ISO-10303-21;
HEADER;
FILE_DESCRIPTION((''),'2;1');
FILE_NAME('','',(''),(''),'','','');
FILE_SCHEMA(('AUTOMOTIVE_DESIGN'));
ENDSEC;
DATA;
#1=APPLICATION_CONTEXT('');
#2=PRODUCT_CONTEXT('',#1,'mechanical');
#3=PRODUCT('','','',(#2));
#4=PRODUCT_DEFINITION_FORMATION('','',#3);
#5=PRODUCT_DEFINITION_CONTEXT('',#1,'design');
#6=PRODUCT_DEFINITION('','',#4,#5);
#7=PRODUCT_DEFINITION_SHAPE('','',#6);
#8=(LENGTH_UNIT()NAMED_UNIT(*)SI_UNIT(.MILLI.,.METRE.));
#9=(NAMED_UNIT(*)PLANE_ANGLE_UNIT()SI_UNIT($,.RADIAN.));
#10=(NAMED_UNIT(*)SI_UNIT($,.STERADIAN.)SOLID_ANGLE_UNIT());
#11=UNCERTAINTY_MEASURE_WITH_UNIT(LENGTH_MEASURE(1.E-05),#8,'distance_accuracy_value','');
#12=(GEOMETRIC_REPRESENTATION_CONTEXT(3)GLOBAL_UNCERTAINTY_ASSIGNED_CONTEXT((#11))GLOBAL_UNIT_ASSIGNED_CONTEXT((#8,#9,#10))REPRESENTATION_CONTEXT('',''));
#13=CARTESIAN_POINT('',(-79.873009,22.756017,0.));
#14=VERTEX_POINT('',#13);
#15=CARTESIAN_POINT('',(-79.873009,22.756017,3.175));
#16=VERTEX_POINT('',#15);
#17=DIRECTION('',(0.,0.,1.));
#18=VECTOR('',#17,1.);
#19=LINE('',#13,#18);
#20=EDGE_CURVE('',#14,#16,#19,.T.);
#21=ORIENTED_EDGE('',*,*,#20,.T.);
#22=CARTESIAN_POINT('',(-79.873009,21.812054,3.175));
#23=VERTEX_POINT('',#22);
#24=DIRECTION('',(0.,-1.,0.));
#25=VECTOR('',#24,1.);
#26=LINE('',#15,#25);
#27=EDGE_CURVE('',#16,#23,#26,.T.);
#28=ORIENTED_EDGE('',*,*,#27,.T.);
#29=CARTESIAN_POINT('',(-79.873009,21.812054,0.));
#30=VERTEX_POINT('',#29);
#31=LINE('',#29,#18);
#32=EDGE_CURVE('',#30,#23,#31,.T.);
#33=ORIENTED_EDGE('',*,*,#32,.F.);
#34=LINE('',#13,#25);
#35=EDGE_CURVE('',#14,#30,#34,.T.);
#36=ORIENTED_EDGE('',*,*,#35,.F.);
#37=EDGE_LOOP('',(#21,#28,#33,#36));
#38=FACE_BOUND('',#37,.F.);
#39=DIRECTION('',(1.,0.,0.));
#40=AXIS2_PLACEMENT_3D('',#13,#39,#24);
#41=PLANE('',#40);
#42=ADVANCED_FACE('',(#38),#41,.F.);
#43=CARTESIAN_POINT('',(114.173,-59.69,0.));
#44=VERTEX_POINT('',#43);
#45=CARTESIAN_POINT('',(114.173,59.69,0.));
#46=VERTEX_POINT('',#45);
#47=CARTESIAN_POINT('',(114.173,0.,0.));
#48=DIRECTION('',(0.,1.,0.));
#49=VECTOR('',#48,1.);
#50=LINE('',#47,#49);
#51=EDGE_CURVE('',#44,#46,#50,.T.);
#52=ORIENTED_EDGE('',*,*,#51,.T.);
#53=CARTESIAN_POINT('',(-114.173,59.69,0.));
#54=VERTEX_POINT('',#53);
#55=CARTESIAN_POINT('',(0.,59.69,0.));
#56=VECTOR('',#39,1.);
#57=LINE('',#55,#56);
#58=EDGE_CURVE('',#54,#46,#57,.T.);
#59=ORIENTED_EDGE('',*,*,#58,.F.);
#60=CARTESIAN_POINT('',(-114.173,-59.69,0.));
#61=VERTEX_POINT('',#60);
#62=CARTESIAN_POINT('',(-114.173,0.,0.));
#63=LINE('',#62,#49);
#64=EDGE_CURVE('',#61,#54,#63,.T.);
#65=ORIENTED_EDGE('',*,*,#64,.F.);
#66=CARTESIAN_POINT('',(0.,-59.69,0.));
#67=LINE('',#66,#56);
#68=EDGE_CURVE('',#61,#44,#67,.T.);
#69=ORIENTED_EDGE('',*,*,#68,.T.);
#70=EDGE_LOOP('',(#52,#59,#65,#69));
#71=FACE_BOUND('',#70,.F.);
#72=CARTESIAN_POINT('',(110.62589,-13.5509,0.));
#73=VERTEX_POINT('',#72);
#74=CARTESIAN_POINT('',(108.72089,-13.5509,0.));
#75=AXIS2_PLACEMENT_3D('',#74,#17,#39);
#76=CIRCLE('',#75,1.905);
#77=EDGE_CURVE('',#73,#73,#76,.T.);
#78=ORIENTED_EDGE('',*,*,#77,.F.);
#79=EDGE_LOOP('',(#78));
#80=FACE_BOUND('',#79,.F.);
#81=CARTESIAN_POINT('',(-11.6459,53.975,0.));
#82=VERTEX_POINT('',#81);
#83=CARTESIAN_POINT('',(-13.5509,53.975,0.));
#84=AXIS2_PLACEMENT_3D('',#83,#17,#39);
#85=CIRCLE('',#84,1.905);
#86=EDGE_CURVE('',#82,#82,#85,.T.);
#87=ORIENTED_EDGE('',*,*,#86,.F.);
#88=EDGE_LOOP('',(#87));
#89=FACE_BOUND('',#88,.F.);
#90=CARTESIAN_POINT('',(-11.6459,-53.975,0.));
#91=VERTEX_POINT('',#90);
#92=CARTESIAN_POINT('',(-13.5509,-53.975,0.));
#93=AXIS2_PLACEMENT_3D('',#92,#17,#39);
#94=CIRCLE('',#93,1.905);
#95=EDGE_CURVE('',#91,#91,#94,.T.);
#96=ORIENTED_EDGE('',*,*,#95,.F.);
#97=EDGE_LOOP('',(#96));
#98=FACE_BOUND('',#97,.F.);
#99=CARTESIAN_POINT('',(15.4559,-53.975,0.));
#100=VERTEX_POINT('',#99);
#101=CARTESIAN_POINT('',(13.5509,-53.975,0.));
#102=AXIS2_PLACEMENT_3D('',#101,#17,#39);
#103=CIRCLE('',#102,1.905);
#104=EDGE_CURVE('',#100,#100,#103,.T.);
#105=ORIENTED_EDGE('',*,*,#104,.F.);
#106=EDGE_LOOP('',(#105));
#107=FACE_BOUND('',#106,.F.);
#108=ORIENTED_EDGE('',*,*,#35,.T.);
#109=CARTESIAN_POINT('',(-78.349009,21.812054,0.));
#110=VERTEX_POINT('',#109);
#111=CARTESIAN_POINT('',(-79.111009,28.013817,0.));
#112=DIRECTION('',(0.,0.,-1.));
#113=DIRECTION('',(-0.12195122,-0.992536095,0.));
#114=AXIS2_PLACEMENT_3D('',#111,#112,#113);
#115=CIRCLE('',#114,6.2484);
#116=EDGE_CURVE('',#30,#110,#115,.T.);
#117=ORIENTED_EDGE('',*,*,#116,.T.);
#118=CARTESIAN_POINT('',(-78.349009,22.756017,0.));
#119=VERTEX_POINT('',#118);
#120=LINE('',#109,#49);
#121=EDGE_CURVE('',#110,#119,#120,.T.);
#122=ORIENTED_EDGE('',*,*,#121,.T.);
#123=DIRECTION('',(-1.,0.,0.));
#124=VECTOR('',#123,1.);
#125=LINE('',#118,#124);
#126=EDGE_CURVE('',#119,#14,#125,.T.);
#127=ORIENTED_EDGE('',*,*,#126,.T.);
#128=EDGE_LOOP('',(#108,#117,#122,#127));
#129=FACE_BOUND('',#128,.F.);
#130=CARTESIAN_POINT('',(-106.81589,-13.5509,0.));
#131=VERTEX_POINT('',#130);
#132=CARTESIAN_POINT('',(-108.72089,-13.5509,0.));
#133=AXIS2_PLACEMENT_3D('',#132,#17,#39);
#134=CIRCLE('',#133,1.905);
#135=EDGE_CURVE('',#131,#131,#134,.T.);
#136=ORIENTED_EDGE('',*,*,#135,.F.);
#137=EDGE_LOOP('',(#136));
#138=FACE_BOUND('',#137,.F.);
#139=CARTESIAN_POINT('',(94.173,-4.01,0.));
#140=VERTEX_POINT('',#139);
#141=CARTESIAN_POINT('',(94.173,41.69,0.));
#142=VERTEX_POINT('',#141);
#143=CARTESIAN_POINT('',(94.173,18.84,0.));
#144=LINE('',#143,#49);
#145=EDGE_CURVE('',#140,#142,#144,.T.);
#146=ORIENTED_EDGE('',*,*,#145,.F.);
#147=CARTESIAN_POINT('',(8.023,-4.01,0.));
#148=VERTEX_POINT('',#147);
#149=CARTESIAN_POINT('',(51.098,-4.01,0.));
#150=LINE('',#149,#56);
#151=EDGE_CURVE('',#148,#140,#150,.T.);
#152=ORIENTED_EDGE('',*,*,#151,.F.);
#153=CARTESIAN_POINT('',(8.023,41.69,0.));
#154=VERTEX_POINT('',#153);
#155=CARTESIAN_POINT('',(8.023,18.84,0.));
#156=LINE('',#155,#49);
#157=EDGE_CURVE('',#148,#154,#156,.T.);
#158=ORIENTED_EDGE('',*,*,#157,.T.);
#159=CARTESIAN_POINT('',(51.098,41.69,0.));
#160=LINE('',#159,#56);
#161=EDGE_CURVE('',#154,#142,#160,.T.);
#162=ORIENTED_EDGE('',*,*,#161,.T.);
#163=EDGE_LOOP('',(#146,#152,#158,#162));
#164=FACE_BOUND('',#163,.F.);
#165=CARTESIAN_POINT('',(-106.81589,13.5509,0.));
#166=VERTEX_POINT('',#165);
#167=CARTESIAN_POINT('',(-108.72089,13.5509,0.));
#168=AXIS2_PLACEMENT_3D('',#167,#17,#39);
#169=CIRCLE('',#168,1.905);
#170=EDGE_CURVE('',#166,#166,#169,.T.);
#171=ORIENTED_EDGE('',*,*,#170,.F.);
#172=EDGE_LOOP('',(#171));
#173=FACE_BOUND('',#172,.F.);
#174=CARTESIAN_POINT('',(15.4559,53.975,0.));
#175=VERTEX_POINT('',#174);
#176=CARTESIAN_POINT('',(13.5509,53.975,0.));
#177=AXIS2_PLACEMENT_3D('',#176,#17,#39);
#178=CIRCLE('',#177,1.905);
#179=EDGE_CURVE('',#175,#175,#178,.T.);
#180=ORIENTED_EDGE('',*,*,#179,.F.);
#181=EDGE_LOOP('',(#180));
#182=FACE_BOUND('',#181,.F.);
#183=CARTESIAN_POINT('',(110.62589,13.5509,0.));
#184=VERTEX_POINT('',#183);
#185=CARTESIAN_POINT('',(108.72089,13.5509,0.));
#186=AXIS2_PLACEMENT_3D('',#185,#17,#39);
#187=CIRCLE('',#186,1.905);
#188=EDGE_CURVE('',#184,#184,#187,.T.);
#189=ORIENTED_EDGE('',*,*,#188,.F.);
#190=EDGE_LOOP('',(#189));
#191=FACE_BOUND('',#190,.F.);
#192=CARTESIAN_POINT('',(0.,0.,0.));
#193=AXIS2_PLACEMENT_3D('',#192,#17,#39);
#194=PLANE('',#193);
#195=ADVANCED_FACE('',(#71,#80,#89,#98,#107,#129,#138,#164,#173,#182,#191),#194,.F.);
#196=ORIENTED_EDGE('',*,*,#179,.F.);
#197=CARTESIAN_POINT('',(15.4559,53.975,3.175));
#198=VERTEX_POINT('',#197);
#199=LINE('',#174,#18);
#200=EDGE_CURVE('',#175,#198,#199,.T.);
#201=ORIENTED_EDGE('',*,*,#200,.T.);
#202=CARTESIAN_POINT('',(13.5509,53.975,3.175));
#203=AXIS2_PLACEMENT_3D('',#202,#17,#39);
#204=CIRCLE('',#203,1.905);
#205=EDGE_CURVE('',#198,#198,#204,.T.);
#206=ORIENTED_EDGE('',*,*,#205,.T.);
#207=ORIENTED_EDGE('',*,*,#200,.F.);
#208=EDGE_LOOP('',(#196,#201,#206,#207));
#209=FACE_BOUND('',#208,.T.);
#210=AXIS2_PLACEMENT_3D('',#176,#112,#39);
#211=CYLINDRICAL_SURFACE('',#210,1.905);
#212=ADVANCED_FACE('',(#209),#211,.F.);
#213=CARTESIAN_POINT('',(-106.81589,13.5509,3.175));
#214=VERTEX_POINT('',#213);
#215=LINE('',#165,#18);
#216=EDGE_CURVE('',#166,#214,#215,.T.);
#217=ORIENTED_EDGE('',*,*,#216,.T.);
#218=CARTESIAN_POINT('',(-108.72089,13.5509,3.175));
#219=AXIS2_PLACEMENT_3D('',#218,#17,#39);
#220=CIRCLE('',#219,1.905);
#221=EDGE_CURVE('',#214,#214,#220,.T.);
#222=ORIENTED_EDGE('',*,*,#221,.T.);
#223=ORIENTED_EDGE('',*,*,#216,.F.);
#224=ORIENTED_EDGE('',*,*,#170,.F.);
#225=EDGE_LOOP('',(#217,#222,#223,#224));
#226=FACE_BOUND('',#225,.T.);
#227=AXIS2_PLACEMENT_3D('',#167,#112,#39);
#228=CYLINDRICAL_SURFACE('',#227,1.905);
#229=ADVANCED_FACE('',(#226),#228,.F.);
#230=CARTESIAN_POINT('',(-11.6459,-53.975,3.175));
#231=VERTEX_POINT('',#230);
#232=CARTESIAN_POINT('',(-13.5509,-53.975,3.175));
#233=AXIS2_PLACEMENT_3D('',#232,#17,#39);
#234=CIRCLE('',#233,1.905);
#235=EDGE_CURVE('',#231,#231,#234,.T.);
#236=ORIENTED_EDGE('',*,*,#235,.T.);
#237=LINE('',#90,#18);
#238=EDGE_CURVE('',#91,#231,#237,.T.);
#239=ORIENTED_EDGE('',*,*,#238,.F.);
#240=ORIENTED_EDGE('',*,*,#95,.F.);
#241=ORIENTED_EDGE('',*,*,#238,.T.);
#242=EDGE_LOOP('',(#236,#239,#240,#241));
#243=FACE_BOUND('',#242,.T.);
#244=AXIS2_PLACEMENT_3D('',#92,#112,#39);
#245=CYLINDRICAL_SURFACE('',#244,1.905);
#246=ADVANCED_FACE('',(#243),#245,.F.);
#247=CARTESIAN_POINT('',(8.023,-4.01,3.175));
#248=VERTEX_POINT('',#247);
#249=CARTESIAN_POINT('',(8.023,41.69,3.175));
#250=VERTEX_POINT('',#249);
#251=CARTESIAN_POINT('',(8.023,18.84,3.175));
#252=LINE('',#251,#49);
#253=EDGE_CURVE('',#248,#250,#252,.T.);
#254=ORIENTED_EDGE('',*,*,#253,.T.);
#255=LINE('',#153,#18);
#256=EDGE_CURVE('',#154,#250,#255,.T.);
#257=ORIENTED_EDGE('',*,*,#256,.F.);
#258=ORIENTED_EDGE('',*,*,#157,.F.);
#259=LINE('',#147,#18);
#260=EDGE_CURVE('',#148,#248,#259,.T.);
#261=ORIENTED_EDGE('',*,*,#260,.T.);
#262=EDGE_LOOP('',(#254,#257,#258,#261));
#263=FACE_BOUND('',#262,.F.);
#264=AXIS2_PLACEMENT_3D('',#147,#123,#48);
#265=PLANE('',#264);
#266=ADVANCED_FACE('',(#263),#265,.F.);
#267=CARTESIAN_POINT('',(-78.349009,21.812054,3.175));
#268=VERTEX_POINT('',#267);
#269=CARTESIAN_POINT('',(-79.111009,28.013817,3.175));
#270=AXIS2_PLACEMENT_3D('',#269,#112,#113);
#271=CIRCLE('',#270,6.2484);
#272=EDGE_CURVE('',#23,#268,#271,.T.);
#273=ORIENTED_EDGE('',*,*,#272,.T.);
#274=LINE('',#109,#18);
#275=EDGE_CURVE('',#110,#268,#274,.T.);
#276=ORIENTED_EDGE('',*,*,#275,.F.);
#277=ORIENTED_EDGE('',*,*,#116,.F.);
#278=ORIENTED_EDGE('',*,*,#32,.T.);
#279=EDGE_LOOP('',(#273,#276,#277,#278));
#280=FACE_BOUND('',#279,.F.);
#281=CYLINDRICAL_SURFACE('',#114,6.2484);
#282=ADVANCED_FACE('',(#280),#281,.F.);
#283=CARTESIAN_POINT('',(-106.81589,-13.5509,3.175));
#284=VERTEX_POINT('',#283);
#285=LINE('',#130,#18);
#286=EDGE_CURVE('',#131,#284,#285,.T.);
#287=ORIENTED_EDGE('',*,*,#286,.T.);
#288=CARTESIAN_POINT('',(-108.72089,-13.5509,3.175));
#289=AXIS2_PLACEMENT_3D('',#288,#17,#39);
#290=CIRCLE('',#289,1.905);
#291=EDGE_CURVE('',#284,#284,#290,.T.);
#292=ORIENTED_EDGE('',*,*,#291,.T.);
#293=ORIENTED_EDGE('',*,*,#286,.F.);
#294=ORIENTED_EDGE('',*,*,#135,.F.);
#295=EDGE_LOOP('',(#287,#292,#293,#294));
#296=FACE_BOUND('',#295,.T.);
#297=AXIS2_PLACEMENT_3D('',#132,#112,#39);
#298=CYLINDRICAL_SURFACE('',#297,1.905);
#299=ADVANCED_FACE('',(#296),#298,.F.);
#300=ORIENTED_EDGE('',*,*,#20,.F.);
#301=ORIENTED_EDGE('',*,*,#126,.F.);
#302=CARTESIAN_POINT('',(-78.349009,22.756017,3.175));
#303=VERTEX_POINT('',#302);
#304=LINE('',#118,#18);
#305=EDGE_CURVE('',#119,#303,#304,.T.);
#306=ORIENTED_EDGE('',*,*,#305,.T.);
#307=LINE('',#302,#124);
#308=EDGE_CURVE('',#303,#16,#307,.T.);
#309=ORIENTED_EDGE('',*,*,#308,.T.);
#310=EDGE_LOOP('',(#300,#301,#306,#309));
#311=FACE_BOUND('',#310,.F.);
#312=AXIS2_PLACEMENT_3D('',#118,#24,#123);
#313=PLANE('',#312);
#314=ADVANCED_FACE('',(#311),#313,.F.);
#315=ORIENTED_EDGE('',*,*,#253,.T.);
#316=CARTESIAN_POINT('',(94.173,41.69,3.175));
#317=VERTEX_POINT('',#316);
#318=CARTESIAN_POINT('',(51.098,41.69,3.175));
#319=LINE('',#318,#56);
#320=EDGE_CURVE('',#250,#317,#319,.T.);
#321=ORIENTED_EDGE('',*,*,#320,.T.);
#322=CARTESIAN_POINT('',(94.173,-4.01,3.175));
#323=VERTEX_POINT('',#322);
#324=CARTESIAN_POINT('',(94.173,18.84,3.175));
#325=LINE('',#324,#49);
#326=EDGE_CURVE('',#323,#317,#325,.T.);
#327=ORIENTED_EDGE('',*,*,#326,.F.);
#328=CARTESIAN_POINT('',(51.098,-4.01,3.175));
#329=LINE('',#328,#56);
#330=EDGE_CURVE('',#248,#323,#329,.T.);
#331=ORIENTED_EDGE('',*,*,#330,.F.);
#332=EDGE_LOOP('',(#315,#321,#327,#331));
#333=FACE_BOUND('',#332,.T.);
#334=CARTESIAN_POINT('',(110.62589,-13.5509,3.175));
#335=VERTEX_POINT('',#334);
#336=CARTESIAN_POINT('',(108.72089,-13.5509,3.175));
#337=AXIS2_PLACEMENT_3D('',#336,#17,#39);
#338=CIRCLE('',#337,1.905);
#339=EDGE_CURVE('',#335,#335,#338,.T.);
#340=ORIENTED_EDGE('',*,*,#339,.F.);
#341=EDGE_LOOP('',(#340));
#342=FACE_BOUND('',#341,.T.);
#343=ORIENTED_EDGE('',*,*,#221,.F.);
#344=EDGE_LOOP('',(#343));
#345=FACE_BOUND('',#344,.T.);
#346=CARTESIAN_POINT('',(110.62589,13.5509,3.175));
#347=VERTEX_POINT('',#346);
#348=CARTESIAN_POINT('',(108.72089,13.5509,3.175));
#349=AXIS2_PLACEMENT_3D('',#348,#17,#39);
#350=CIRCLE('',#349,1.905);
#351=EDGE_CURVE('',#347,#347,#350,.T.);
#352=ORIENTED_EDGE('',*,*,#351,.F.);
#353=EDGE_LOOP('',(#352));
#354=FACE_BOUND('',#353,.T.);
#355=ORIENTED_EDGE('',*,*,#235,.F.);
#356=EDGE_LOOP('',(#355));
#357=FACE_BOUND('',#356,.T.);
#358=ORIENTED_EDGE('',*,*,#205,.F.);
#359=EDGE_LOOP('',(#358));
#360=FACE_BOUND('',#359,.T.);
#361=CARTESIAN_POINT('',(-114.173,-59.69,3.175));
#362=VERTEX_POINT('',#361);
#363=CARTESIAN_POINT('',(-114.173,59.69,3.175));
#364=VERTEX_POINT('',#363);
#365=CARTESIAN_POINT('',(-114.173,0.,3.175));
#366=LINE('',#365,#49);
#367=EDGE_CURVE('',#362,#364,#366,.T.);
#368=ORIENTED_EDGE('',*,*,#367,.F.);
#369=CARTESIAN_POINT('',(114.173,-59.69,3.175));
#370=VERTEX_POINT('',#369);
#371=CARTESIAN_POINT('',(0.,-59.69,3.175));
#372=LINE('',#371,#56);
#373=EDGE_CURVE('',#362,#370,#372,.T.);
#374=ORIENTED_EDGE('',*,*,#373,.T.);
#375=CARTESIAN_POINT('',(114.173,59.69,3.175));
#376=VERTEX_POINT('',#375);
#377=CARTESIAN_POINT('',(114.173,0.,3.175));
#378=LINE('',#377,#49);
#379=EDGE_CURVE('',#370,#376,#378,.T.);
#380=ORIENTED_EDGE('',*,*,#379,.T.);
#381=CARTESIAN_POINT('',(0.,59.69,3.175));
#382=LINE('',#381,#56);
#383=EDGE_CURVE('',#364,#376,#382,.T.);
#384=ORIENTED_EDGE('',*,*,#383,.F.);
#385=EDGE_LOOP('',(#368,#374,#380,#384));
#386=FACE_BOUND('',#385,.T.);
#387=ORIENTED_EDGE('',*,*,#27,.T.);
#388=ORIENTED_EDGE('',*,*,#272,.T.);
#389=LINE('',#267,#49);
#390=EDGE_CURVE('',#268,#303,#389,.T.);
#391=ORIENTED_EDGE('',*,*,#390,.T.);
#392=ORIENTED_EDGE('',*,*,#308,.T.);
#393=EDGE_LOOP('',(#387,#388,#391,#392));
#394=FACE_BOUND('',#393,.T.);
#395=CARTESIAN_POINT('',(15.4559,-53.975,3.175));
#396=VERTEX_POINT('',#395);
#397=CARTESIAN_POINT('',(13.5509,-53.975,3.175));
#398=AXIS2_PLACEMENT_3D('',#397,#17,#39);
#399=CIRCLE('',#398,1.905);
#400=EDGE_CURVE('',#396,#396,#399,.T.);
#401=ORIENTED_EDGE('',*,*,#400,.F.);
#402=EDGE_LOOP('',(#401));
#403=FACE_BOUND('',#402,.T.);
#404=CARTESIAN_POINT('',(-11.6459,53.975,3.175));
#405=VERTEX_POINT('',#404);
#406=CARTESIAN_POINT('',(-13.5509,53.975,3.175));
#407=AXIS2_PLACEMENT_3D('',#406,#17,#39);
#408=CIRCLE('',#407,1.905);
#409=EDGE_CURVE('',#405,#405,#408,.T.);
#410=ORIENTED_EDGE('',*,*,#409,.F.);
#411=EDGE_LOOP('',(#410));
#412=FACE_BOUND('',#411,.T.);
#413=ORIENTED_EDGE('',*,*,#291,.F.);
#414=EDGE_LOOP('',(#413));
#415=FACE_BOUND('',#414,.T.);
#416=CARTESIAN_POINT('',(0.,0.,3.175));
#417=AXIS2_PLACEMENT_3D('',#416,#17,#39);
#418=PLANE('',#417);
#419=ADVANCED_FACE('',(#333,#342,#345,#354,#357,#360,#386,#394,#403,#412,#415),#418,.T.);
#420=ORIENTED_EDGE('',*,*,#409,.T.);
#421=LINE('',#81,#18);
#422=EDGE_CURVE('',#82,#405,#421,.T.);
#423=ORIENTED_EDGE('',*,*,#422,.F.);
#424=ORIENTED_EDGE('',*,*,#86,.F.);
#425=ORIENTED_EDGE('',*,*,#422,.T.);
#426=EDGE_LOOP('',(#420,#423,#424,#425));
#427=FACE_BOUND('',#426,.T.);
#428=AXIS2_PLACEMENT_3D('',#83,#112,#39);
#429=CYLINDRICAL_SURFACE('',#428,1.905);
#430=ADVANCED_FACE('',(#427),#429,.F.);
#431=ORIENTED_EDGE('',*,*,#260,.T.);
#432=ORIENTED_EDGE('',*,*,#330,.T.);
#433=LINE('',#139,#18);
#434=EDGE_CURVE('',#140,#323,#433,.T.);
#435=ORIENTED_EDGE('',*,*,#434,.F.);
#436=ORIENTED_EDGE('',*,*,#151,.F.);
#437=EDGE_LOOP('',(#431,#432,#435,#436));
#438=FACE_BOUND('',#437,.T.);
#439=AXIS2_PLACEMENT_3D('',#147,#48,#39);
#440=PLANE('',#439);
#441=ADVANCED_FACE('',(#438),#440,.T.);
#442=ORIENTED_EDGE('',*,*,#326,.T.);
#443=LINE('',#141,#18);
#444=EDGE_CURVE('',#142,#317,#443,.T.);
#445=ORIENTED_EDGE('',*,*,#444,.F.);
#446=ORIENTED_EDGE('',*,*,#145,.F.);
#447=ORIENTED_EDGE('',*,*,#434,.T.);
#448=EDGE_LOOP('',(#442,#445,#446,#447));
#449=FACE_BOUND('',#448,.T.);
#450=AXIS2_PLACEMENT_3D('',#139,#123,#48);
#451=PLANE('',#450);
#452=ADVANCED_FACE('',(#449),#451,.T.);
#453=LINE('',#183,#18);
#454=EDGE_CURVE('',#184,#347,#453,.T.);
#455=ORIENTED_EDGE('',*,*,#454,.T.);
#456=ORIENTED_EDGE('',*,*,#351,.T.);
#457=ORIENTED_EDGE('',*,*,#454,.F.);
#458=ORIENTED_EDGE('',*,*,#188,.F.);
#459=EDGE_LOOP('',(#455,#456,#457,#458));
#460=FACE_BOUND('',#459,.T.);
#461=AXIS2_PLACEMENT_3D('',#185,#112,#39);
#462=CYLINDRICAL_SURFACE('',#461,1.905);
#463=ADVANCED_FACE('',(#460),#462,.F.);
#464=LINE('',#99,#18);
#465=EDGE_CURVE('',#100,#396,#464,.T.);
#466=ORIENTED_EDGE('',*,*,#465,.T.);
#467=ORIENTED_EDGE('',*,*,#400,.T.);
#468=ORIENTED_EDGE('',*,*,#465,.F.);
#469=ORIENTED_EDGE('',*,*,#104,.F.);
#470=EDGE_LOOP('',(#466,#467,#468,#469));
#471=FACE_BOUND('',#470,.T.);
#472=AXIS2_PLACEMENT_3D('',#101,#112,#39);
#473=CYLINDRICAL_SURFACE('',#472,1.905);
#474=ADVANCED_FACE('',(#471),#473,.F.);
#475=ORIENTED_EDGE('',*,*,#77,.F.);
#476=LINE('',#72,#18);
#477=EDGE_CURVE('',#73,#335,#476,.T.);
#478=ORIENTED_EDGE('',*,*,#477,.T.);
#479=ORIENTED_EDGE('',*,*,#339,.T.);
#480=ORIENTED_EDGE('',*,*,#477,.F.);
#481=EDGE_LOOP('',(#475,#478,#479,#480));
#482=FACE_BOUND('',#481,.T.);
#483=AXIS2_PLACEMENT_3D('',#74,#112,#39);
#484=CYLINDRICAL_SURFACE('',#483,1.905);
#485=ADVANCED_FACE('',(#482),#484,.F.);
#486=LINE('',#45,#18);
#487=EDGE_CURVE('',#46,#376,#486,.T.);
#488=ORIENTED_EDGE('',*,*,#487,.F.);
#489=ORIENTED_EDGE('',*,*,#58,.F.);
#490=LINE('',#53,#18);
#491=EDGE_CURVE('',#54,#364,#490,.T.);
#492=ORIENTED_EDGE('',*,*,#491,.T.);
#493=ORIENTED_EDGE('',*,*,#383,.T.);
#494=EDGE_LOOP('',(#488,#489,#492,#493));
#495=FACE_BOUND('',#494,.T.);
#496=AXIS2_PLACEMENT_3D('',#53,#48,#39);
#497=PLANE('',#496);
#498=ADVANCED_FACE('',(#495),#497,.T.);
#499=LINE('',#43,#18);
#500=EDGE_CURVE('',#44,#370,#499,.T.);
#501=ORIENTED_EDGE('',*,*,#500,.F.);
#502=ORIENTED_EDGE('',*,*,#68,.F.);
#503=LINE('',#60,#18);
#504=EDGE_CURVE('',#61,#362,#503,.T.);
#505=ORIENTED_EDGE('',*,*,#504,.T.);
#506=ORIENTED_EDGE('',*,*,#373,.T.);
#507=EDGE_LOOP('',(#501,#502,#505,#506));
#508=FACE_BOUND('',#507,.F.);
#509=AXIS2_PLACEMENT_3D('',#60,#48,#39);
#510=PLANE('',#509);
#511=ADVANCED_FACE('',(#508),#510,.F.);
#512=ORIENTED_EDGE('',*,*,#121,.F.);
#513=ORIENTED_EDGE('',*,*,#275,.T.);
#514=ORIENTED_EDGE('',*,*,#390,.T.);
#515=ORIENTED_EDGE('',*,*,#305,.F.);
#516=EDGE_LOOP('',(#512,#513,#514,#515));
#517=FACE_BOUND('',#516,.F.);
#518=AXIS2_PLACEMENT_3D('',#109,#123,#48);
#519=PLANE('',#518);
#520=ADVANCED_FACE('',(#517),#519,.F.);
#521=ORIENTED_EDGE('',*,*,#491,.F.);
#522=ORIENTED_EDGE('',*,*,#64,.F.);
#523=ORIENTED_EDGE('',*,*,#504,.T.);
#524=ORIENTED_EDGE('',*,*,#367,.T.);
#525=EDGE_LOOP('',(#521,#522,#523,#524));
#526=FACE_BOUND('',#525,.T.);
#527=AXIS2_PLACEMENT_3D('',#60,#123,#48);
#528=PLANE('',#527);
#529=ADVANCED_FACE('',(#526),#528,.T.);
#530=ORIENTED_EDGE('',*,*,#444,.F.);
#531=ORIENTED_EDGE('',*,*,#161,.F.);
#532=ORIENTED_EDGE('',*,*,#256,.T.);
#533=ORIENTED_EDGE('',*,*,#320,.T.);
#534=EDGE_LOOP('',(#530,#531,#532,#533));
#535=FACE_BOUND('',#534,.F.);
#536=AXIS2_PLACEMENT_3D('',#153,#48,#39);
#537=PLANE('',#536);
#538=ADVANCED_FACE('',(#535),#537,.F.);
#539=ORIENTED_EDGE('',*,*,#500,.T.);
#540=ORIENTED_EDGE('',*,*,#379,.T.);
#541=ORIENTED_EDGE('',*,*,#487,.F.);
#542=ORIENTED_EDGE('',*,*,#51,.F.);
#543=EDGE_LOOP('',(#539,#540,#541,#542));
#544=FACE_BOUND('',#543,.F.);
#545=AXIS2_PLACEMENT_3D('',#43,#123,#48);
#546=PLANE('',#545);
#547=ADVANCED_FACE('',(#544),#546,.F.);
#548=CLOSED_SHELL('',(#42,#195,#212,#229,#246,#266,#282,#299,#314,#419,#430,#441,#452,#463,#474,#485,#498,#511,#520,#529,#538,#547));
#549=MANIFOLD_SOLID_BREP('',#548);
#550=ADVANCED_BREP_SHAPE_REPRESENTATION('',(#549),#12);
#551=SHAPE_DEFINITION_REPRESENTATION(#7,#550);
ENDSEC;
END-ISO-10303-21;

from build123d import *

# Parameters (mm, degrees)
SKETCH1_W           = 228.346
SKETCH1_H           = 119.38
SKETCH1_R           = 1.905
SKETCH1_W_2         = 86.15
SKETCH1_H_2         = 45.7
BOSS_EXTRUDE1_DEPTH = 3.175


with BuildPart() as part:
    # Sketch1 → Boss-Extrude1 (new body)
    with BuildSketch(Plane.XY):
        Rectangle(SKETCH1_W, SKETCH1_H)
        with Locations((-13.5509, -53.975)):
            Circle(SKETCH1_R, mode=Mode.SUBTRACT)
        with Locations((-108.72089, -13.5509)):
            Circle(SKETCH1_R, mode=Mode.SUBTRACT)
        with Locations((13.5509, -53.975)):
            Circle(SKETCH1_R, mode=Mode.SUBTRACT)
        with Locations((108.72089, -13.5509)):
            Circle(SKETCH1_R, mode=Mode.SUBTRACT)
        with Locations((-108.72089, 13.5509)):
            Circle(SKETCH1_R, mode=Mode.SUBTRACT)
        with BuildLine():
            Line((-78.34900876, 21.812054109), (-78.34900876, 22.756016646))
            Line((-78.34900876, 22.756016646), (-79.87300876, 22.756016646))
            Line((-79.87300876, 22.756016646), (-79.87300876, 21.812054109))
            ThreePointArc((-79.87300876, 21.812054109), (-79.11100876, 34.262216646), (-78.34900876, 21.812054109))
        make_face(mode=Mode.SUBTRACT)
        with Locations((-13.5509, 53.975)):
            Circle(SKETCH1_R, mode=Mode.SUBTRACT)
        with Locations((51.098, 18.84)):
            Rectangle(SKETCH1_W_2, SKETCH1_H_2, mode=Mode.SUBTRACT)
        with Locations((108.72089, 13.5509)):
            Circle(SKETCH1_R, mode=Mode.SUBTRACT)
        with Locations((13.5509, 53.975)):
            Circle(SKETCH1_R, mode=Mode.SUBTRACT)
    extrude(amount=BOSS_EXTRUDE1_DEPTH)


solid = part.part
